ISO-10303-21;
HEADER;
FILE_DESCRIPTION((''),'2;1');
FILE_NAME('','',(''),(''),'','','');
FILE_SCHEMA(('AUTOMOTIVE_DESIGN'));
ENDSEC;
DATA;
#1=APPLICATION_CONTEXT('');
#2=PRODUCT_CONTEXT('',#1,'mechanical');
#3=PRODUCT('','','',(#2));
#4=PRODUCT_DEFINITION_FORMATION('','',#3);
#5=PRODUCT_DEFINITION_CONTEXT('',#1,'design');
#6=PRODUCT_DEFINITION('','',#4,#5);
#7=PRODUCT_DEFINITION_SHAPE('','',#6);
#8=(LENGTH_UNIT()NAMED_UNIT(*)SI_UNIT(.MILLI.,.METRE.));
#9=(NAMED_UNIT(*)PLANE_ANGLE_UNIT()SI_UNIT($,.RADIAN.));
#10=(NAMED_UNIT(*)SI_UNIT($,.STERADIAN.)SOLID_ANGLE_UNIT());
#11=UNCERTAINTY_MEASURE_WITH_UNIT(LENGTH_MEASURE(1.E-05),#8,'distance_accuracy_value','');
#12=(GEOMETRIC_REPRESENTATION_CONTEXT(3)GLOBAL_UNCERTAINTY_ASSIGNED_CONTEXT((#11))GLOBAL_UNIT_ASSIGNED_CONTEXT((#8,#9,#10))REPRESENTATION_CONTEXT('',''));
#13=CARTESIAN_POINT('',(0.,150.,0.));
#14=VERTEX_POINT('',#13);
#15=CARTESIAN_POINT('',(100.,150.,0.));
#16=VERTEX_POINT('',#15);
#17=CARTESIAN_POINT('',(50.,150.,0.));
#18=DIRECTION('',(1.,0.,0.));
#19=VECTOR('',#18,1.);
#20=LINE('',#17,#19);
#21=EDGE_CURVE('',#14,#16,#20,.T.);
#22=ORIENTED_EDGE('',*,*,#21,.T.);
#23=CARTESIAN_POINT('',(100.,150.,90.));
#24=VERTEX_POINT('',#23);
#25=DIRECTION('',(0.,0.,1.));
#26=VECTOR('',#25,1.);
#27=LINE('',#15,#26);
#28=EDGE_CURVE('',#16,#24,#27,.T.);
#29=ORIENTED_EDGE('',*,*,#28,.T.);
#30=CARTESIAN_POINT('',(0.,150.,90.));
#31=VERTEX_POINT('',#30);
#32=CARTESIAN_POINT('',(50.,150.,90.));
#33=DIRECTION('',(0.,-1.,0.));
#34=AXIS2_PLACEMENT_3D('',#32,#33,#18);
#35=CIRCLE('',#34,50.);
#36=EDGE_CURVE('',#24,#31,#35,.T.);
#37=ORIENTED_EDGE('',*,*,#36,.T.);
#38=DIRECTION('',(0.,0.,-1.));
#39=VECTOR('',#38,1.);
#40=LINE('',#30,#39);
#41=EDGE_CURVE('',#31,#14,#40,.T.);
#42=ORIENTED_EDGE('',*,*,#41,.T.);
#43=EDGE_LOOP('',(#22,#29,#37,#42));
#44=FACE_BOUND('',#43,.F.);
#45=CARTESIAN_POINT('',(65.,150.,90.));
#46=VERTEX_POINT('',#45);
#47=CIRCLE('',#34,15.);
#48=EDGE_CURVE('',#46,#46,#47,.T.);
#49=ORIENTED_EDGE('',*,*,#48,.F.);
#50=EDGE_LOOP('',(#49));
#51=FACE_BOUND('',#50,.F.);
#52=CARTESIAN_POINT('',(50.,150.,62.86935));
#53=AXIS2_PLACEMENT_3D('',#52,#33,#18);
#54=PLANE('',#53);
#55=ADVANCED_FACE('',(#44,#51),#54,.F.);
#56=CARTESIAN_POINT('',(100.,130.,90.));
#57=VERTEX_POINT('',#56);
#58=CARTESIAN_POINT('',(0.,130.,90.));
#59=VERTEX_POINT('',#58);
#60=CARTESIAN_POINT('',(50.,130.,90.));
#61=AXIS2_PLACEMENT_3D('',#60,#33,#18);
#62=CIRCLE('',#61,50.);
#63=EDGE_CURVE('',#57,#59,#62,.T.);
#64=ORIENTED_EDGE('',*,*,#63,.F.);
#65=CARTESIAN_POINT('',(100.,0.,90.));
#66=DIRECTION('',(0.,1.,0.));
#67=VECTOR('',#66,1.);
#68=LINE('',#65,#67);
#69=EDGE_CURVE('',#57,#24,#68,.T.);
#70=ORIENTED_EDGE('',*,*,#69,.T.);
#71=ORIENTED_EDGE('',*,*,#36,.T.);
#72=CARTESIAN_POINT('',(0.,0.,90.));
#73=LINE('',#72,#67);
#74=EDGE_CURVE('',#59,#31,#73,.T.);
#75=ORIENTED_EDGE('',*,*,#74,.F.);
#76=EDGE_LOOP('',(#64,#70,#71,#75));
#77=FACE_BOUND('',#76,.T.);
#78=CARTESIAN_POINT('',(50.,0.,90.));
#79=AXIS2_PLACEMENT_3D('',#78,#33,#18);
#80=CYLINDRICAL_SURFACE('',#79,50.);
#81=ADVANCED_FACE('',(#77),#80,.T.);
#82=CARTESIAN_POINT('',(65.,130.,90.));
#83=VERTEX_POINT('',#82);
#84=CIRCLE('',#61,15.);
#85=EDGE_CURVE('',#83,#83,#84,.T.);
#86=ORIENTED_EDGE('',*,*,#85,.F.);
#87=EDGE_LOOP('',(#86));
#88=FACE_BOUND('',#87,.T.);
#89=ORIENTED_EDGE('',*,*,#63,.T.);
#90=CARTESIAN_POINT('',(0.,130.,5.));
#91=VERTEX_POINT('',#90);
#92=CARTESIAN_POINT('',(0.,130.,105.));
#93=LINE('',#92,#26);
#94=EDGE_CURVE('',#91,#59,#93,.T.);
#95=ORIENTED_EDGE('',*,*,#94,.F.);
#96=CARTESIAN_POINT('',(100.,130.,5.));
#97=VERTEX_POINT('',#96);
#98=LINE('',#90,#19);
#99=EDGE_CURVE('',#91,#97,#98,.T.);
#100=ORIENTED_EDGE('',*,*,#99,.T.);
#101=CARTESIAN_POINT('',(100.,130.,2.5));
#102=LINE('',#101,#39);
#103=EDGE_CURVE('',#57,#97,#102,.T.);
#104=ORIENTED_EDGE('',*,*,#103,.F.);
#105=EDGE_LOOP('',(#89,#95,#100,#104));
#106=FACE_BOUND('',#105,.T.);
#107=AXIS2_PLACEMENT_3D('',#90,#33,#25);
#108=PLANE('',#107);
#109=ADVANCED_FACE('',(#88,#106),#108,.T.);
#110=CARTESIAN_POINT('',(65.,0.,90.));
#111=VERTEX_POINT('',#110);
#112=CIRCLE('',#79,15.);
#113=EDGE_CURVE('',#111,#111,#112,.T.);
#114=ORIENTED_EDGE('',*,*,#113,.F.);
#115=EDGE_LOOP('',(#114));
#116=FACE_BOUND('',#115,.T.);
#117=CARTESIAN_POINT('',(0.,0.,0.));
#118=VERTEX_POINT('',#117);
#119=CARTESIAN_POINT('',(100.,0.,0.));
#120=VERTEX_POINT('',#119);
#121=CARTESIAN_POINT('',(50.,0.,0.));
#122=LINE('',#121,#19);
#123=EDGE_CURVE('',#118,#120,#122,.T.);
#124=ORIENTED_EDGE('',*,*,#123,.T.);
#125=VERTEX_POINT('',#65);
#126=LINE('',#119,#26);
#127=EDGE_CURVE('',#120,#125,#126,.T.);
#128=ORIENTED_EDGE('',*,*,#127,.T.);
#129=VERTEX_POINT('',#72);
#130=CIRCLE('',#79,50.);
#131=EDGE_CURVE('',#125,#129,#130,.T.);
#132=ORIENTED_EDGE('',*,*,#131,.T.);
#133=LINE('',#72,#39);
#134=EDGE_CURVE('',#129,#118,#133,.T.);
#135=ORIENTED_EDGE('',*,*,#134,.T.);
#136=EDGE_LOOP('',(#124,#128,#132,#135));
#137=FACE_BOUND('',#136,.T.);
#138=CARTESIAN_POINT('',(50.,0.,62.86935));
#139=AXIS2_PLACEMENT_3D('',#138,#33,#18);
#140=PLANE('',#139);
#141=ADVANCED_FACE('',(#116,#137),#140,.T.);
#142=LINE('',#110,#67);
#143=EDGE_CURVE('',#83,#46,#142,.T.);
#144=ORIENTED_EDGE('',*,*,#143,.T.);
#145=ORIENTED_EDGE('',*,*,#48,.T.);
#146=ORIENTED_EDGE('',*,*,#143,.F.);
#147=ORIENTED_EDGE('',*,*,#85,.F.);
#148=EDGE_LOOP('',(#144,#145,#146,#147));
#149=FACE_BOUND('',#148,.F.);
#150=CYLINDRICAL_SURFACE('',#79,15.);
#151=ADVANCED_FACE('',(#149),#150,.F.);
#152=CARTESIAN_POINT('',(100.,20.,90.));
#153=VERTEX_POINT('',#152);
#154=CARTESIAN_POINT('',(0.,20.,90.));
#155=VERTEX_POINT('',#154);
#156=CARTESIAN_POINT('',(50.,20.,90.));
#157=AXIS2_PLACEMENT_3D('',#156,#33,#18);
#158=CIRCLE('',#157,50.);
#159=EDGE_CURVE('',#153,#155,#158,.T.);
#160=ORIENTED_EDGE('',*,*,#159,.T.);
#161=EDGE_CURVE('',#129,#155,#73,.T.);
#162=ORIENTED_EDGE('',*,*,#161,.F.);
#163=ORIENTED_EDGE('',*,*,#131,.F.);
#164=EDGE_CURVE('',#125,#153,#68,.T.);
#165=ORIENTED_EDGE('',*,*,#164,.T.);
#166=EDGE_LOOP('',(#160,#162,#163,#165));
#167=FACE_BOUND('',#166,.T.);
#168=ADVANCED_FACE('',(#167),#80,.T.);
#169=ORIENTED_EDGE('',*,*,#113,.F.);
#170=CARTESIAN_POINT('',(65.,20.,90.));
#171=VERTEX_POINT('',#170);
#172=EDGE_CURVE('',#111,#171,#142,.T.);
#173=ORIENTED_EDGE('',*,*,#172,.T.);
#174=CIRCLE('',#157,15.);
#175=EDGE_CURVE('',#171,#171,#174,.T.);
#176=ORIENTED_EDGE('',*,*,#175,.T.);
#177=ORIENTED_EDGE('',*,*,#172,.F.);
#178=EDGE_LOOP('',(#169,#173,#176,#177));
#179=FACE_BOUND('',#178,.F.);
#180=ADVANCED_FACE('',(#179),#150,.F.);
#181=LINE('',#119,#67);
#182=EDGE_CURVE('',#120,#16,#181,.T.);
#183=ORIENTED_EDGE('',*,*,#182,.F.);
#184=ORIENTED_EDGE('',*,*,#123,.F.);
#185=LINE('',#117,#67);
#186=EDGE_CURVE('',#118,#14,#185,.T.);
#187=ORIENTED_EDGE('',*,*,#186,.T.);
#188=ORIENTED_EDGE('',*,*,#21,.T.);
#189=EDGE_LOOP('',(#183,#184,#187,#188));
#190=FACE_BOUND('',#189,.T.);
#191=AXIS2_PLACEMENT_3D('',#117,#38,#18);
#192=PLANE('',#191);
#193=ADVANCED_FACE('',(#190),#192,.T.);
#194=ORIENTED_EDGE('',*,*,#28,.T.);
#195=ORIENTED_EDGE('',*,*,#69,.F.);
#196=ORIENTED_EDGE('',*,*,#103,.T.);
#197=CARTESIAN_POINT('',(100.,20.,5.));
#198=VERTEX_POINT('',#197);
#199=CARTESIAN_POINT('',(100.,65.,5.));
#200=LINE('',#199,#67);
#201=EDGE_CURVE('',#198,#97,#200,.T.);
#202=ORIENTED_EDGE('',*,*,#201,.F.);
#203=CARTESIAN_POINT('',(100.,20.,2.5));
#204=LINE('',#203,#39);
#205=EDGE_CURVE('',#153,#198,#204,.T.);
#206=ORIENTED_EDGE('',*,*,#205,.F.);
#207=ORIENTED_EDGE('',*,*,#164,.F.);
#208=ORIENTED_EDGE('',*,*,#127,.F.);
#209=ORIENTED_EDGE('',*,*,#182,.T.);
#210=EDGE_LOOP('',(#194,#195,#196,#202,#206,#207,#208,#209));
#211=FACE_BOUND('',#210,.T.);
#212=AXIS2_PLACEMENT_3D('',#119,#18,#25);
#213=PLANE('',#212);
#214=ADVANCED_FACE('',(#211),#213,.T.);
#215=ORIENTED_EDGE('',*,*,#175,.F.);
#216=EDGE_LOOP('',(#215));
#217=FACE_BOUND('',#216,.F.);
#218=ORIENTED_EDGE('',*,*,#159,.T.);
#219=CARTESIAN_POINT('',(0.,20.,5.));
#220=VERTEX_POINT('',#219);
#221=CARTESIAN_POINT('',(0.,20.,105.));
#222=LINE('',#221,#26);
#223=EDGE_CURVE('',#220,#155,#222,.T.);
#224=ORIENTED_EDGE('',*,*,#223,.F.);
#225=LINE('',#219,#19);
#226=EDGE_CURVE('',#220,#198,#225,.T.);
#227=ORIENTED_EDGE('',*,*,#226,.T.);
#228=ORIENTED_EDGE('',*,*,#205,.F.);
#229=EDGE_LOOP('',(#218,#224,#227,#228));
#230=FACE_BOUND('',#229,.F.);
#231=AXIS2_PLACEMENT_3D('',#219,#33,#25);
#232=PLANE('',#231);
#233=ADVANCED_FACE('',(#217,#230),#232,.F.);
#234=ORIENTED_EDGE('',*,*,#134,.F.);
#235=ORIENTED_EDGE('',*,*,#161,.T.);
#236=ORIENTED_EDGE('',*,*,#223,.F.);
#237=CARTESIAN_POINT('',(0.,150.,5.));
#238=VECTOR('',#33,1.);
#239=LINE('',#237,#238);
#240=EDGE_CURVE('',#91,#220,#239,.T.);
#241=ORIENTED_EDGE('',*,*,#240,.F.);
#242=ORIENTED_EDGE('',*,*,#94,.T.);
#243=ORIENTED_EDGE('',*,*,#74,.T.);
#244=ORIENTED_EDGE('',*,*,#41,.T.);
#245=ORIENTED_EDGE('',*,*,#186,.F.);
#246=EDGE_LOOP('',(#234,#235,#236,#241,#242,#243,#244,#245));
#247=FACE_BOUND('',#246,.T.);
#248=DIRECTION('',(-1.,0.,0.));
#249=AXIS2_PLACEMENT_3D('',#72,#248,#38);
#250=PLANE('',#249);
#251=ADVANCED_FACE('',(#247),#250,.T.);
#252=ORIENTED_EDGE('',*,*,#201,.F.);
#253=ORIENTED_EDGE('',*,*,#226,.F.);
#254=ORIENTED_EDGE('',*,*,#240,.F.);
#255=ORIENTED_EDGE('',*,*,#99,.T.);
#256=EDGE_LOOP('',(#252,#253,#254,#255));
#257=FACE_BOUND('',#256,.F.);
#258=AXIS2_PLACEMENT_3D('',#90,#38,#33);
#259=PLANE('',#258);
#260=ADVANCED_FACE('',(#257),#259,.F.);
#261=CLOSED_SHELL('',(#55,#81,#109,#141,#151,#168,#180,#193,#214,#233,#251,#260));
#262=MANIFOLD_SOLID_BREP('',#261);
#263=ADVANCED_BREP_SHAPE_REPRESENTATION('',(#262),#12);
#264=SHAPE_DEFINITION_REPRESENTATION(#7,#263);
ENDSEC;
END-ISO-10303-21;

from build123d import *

# Parameters (mm, degrees)
F0_R     = 15
F0_W     = 100
F0_H     = 5
F2_DEPTH = 150
F1_W     = 20
F1_H     = 200
F3_DEPTH = 116.7


with BuildPart() as f2:
    # F0 (on Front) → F2 (new body)
    with BuildSketch(Plane.XZ):
        with BuildLine():
            Line((0, 90), (0, 5))
            Line((0, 5), (100, 5))
            Line((100, 5), (100, 90))
            ThreePointArc((100, 90), (50, 140), (0, 90))
        make_face()
        with Locations((50, 90)):
            Circle(F0_R, mode=Mode.SUBTRACT)
        with Locations((50, 2.5)):
            Rectangle(F0_W, F0_H)
    extrude(amount=-F2_DEPTH)

    # F1 (on Right) → F3 (intersect)
    with BuildSketch(Plane.YZ):
        Polygon((0, 5), (0, 0), (150, 0), (150, 5), (130, 5), (20, 5), align=None)
        with Locations((10, 105)):
            Rectangle(F1_W, F1_H)
        with Locations((140, 105)):
            Rectangle(F1_W, F1_H)
    extrude(amount=F3_DEPTH, mode=Mode.INTERSECT)


solid = f2.part
